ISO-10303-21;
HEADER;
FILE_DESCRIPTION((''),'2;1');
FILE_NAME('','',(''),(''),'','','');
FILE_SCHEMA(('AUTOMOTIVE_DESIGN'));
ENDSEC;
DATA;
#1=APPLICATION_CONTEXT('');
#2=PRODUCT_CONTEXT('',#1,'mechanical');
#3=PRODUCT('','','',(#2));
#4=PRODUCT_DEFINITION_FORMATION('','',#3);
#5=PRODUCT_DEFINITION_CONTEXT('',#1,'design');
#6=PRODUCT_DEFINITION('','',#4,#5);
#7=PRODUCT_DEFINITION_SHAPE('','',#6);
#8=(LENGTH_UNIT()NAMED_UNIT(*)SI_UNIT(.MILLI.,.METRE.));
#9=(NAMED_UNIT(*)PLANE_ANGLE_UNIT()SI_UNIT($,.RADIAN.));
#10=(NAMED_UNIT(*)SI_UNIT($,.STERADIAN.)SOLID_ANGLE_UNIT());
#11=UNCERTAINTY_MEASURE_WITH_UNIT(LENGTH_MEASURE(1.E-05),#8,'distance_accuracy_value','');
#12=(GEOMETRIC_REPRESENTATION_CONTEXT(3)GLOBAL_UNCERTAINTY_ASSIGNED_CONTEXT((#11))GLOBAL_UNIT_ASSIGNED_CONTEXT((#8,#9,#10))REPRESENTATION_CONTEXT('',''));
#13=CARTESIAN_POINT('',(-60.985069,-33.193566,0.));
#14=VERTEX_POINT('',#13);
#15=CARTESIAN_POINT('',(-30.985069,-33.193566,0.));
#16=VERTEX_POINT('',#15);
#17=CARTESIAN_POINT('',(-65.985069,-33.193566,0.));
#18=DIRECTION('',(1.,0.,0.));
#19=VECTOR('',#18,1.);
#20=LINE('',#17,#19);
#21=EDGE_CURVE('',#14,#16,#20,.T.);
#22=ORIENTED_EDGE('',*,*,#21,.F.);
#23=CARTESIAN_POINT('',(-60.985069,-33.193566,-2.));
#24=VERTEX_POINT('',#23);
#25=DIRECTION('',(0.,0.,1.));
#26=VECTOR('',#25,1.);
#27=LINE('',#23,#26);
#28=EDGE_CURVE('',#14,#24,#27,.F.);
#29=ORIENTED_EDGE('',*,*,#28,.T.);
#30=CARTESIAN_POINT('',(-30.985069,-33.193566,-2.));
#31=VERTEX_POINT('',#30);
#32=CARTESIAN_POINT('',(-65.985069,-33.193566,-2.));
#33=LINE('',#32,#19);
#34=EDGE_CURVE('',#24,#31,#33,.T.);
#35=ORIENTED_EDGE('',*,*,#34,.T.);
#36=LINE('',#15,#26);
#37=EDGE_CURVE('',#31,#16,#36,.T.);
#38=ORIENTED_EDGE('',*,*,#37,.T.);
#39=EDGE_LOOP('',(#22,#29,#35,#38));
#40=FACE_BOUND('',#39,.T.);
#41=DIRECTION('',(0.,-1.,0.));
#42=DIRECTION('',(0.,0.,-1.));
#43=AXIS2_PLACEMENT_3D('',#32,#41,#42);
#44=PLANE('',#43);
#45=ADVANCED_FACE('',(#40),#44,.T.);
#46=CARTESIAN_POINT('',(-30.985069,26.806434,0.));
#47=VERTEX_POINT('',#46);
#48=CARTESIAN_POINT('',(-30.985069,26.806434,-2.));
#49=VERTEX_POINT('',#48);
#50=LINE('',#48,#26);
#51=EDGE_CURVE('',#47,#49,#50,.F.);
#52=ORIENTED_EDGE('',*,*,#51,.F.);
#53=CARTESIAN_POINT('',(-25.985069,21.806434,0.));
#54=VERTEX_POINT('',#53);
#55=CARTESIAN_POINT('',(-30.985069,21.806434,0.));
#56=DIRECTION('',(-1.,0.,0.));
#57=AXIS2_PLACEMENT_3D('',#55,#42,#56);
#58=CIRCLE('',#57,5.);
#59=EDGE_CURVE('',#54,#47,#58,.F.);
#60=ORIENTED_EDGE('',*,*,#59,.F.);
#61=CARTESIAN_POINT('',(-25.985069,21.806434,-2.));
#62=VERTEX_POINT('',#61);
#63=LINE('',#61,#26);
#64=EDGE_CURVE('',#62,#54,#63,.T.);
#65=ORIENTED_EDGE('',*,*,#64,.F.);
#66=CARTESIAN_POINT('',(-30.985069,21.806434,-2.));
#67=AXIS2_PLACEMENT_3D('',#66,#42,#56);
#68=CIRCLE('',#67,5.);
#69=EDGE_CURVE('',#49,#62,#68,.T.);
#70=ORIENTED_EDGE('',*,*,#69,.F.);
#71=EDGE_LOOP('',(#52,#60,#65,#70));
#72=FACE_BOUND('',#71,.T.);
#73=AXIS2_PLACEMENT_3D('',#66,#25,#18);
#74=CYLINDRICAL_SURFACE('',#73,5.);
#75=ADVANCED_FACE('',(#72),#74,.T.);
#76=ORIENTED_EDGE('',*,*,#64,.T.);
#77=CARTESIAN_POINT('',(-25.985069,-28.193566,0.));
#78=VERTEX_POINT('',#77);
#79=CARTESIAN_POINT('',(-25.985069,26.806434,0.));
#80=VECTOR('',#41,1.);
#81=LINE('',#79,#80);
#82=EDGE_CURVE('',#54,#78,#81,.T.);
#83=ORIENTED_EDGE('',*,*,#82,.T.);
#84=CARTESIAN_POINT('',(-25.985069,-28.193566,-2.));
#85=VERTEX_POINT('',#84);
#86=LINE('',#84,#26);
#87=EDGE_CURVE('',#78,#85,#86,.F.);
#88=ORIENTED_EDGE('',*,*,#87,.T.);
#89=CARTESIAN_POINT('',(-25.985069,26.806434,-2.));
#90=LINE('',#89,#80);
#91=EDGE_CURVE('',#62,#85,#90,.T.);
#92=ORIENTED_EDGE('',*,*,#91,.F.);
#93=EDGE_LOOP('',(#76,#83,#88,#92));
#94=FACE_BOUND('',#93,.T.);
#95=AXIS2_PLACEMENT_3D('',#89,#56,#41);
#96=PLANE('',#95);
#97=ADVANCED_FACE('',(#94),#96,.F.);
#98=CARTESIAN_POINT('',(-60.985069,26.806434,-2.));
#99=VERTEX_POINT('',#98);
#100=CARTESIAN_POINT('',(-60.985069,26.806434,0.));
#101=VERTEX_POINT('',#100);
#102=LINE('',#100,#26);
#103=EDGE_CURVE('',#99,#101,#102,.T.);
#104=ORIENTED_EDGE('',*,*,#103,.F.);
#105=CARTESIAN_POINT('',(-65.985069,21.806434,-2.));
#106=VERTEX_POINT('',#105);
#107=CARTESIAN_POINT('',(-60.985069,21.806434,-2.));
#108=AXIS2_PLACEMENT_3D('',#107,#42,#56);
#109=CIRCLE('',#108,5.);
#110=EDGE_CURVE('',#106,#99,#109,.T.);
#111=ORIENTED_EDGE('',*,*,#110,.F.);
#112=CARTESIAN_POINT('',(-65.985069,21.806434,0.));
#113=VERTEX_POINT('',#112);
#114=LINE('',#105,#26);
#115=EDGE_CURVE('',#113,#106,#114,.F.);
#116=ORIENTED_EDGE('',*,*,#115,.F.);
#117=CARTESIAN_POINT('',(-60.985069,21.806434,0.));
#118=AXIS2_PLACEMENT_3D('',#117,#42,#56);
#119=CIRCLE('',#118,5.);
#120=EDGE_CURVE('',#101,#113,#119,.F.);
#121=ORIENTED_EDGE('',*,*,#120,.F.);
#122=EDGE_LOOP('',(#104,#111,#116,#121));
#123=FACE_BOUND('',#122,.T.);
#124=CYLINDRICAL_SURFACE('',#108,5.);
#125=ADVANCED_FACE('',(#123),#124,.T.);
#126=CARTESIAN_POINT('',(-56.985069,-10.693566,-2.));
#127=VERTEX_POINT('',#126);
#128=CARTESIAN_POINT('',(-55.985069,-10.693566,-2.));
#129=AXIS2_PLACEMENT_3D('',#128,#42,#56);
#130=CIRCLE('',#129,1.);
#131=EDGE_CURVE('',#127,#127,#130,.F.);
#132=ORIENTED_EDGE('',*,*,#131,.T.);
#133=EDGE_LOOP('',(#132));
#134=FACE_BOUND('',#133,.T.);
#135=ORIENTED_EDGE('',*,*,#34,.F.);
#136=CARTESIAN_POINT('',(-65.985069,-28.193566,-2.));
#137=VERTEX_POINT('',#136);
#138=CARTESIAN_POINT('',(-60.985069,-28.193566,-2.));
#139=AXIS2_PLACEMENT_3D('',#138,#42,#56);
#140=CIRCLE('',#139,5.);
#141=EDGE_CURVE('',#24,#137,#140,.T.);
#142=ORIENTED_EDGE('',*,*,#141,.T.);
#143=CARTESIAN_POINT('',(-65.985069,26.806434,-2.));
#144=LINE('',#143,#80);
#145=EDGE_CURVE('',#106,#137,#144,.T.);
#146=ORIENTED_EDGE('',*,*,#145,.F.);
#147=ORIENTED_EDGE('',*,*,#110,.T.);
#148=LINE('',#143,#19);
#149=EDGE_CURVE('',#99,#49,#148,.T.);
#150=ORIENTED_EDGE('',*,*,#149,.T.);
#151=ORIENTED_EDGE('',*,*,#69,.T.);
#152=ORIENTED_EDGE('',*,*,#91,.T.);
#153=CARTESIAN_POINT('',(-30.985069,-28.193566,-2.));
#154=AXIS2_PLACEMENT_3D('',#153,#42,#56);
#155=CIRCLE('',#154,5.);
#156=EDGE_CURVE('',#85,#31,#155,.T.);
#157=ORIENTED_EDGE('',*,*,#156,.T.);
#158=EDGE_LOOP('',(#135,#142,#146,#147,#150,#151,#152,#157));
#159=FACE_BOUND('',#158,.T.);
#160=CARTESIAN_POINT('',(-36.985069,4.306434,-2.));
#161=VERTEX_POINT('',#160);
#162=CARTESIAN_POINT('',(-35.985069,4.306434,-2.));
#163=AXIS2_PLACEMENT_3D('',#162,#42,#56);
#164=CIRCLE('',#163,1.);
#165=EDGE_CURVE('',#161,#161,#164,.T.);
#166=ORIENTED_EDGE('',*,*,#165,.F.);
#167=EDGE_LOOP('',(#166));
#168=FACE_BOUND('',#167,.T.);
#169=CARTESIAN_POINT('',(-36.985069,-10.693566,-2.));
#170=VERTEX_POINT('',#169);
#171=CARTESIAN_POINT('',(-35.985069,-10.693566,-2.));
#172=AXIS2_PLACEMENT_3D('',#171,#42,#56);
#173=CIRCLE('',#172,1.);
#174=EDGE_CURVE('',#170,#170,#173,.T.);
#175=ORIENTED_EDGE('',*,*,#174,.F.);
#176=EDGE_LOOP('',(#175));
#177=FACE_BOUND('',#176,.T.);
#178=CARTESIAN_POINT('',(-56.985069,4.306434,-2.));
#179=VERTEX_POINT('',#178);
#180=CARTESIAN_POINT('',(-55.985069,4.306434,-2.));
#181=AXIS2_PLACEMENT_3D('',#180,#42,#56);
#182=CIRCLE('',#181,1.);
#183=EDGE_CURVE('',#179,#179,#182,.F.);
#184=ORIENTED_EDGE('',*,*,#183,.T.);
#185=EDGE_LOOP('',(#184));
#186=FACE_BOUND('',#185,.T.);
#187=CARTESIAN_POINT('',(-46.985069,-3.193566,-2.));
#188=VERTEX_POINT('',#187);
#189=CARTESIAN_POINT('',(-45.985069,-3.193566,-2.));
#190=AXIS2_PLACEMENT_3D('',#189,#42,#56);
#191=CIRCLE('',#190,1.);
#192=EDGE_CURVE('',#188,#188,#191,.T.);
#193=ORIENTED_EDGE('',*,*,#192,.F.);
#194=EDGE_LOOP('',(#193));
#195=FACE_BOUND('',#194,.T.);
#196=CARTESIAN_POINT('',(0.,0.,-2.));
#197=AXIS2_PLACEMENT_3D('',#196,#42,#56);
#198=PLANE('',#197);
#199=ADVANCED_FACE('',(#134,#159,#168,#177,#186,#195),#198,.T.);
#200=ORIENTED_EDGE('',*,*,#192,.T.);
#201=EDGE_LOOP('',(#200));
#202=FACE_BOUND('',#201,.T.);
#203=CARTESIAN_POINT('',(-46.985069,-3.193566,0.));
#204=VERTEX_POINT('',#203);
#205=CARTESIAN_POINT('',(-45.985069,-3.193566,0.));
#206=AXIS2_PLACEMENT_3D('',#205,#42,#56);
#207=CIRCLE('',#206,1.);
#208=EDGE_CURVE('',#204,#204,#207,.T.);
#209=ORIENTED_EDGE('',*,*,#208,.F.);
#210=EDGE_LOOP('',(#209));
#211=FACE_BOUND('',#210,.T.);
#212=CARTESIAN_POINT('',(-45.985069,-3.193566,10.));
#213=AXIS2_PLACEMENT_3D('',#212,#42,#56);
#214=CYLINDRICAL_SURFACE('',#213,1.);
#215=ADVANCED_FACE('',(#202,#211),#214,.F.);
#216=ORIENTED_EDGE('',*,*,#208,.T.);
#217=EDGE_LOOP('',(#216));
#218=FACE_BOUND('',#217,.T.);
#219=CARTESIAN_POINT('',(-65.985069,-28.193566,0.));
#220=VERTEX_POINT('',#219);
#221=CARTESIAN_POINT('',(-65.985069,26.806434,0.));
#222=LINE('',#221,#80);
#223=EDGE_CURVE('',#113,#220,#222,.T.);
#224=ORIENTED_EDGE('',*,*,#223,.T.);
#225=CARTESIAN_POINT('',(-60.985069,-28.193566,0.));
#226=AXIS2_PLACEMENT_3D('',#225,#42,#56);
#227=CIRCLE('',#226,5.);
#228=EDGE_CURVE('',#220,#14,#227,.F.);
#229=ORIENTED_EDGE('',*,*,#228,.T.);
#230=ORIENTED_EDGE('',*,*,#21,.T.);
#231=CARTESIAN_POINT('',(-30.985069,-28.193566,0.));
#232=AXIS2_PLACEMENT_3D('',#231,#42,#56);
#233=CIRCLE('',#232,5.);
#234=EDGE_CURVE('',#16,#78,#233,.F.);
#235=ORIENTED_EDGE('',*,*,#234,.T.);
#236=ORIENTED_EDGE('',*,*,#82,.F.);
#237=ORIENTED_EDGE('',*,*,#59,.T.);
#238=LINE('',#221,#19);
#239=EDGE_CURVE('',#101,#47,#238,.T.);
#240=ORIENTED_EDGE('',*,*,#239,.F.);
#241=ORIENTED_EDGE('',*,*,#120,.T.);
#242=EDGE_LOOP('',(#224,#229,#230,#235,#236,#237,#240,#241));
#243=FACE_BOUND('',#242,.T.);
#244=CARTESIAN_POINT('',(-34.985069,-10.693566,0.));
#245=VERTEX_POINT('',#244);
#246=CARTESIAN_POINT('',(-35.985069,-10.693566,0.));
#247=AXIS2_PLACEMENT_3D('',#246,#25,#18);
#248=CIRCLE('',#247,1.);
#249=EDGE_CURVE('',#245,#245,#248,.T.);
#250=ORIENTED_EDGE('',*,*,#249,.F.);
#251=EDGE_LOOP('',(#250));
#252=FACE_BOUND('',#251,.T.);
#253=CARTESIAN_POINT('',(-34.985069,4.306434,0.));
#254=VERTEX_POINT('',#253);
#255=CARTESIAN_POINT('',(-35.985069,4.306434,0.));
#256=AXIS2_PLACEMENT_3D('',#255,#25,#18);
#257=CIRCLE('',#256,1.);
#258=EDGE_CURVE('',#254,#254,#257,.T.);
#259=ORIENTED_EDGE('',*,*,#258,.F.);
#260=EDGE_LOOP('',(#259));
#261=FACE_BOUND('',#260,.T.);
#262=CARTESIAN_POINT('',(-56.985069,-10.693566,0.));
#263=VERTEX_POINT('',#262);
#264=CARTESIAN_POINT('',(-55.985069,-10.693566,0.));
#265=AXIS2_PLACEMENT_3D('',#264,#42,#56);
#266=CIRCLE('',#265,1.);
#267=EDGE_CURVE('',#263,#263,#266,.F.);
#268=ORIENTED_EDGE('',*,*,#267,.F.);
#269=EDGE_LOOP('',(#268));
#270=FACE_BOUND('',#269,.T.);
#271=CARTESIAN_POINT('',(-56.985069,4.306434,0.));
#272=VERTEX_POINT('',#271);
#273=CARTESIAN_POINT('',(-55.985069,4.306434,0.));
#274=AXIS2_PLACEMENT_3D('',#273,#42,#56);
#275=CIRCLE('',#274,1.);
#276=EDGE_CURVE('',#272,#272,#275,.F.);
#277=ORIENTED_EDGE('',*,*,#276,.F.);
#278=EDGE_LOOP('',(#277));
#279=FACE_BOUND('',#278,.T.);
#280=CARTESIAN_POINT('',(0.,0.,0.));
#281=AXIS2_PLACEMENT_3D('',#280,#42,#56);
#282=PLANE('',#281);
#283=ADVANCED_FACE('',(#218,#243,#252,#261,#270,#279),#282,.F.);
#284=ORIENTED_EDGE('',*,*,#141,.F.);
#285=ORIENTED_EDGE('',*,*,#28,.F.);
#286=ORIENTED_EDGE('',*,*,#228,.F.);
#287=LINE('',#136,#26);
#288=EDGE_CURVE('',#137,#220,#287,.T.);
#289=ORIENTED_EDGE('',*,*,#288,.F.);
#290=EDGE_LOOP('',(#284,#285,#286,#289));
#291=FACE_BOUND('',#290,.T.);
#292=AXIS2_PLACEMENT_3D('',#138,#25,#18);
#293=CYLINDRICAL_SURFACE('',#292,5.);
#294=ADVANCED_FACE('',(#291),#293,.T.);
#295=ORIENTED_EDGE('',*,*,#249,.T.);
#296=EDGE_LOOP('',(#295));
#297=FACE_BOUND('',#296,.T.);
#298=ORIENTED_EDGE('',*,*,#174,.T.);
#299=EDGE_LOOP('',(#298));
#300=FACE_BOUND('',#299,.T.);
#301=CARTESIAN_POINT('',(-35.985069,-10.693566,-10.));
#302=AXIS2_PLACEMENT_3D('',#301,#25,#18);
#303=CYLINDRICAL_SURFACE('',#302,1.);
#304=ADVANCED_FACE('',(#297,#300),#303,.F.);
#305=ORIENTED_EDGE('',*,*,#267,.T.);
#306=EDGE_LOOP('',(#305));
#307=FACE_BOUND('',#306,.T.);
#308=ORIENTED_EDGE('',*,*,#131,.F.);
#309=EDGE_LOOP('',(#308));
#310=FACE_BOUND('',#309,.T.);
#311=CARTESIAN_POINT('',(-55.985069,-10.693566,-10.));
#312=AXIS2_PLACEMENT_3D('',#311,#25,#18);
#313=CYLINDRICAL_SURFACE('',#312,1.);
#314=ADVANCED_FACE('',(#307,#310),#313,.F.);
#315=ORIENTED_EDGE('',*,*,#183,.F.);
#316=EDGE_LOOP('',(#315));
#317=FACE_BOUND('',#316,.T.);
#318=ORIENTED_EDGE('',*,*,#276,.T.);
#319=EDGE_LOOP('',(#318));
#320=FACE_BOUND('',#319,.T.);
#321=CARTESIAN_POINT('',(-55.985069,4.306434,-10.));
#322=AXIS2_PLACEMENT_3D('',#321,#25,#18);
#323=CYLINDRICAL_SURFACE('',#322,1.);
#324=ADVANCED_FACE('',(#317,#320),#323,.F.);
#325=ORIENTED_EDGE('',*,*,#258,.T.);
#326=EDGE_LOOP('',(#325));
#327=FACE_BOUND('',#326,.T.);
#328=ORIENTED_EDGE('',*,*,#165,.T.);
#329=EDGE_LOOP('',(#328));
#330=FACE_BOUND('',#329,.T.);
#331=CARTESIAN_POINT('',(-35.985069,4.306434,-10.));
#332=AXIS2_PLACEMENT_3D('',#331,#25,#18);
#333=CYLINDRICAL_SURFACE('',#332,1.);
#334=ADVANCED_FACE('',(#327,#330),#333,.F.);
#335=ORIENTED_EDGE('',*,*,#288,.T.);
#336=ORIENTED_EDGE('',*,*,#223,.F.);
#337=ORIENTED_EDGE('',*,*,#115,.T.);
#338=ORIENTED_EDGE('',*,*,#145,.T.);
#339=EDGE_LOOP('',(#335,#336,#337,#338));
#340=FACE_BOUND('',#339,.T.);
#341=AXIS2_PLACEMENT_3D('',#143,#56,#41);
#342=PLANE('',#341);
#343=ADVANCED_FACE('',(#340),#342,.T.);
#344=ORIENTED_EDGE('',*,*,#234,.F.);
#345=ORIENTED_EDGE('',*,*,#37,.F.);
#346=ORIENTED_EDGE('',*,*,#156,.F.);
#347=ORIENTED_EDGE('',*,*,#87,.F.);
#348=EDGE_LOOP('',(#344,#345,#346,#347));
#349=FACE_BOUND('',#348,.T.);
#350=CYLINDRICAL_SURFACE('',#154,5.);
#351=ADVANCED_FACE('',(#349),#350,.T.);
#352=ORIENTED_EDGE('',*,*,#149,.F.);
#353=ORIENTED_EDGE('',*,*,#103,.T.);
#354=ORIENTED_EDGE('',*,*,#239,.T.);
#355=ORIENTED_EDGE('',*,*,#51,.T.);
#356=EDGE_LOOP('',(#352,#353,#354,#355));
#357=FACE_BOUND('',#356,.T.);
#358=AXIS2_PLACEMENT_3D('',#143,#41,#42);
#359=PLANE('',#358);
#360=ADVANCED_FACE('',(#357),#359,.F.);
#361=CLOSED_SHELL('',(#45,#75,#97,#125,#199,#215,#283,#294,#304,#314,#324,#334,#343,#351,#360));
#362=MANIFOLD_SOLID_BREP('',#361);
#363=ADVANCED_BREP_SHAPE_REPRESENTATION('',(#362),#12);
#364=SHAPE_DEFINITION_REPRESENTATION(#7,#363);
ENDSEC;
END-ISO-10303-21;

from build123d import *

# Parameters (mm, degrees)
SKETCH1_W               = 40
SKETCH1_H               = 60
BOSS_EXTRUDE4_DEPTH     = 2
FILLET1_R               = 5
SKETCH12_R              = 1
CUT_EXTRUDE6_DEPTH      = 12
CUT_EXTRUDE7_DEPTH      = 8
CUT_EXTRUDE7_DEPTH_BACK = 10
SKETCH13_R              = 1
SKETCH14_R              = 1
CUT_EXTRUDE8_DEPTH      = 10


with BuildPart() as part:
    # Sketch1 → Boss-Extrude4 (new body)
    with BuildSketch(Plane.XY):
        with Locations((-45.9850693, -3.193565597)):
            Rectangle(SKETCH1_W, SKETCH1_H)
    extrude(amount=-BOSS_EXTRUDE4_DEPTH)

    # Fillet1
    fillet1_edges = [part.edges().sort_by_distance(p)[0] for p in [
        (-65.9850693, 26.806434403, -1),
        (-65.9850693, -33.193565597, -1),
        (-25.9850693, -33.193565597, -1),
        (-25.9850693, 26.806434403, -1),
    ]]
    fillet(fillet1_edges, radius=FILLET1_R)

    # Sketch12 → Cut-Extrude6 (cut)
    with BuildSketch(Plane(origin=(0, 0, -2), x_dir=(-1, 0, 0), z_dir=(0, 0, -1))):
        with Locations((45.9850693, -3.193565597)):
            Circle(SKETCH12_R)
    extrude(amount=-CUT_EXTRUDE6_DEPTH, mode=Mode.SUBTRACT)

    # Sketch13 → Cut-Extrude7 (cut, two sides: drawn at the far end of the back side and taken through both)
    with BuildSketch(Plane(origin=(0, 0, -2), x_dir=(-1, 0, 0), z_dir=(0, 0, -1)).offset(-CUT_EXTRUDE7_DEPTH_BACK)):
        with Locations((55.9850693, 4.306434403)):
            Circle(SKETCH13_R)
        with Locations((55.9850693, -10.693565597)):
            Circle(SKETCH13_R)
    extrude(amount=CUT_EXTRUDE7_DEPTH + CUT_EXTRUDE7_DEPTH_BACK, mode=Mode.SUBTRACT)

    # Sketch14 → Cut-Extrude8 (cut)
    with BuildSketch(Plane.XY):
        with Locations((-35.9850693, 4.306434403)):
            Circle(SKETCH14_R)
        with Locations((-35.9850693, -10.693565597)):
            Circle(SKETCH14_R)
    extrude(amount=-CUT_EXTRUDE8_DEPTH, mode=Mode.SUBTRACT)


solid = part.part
